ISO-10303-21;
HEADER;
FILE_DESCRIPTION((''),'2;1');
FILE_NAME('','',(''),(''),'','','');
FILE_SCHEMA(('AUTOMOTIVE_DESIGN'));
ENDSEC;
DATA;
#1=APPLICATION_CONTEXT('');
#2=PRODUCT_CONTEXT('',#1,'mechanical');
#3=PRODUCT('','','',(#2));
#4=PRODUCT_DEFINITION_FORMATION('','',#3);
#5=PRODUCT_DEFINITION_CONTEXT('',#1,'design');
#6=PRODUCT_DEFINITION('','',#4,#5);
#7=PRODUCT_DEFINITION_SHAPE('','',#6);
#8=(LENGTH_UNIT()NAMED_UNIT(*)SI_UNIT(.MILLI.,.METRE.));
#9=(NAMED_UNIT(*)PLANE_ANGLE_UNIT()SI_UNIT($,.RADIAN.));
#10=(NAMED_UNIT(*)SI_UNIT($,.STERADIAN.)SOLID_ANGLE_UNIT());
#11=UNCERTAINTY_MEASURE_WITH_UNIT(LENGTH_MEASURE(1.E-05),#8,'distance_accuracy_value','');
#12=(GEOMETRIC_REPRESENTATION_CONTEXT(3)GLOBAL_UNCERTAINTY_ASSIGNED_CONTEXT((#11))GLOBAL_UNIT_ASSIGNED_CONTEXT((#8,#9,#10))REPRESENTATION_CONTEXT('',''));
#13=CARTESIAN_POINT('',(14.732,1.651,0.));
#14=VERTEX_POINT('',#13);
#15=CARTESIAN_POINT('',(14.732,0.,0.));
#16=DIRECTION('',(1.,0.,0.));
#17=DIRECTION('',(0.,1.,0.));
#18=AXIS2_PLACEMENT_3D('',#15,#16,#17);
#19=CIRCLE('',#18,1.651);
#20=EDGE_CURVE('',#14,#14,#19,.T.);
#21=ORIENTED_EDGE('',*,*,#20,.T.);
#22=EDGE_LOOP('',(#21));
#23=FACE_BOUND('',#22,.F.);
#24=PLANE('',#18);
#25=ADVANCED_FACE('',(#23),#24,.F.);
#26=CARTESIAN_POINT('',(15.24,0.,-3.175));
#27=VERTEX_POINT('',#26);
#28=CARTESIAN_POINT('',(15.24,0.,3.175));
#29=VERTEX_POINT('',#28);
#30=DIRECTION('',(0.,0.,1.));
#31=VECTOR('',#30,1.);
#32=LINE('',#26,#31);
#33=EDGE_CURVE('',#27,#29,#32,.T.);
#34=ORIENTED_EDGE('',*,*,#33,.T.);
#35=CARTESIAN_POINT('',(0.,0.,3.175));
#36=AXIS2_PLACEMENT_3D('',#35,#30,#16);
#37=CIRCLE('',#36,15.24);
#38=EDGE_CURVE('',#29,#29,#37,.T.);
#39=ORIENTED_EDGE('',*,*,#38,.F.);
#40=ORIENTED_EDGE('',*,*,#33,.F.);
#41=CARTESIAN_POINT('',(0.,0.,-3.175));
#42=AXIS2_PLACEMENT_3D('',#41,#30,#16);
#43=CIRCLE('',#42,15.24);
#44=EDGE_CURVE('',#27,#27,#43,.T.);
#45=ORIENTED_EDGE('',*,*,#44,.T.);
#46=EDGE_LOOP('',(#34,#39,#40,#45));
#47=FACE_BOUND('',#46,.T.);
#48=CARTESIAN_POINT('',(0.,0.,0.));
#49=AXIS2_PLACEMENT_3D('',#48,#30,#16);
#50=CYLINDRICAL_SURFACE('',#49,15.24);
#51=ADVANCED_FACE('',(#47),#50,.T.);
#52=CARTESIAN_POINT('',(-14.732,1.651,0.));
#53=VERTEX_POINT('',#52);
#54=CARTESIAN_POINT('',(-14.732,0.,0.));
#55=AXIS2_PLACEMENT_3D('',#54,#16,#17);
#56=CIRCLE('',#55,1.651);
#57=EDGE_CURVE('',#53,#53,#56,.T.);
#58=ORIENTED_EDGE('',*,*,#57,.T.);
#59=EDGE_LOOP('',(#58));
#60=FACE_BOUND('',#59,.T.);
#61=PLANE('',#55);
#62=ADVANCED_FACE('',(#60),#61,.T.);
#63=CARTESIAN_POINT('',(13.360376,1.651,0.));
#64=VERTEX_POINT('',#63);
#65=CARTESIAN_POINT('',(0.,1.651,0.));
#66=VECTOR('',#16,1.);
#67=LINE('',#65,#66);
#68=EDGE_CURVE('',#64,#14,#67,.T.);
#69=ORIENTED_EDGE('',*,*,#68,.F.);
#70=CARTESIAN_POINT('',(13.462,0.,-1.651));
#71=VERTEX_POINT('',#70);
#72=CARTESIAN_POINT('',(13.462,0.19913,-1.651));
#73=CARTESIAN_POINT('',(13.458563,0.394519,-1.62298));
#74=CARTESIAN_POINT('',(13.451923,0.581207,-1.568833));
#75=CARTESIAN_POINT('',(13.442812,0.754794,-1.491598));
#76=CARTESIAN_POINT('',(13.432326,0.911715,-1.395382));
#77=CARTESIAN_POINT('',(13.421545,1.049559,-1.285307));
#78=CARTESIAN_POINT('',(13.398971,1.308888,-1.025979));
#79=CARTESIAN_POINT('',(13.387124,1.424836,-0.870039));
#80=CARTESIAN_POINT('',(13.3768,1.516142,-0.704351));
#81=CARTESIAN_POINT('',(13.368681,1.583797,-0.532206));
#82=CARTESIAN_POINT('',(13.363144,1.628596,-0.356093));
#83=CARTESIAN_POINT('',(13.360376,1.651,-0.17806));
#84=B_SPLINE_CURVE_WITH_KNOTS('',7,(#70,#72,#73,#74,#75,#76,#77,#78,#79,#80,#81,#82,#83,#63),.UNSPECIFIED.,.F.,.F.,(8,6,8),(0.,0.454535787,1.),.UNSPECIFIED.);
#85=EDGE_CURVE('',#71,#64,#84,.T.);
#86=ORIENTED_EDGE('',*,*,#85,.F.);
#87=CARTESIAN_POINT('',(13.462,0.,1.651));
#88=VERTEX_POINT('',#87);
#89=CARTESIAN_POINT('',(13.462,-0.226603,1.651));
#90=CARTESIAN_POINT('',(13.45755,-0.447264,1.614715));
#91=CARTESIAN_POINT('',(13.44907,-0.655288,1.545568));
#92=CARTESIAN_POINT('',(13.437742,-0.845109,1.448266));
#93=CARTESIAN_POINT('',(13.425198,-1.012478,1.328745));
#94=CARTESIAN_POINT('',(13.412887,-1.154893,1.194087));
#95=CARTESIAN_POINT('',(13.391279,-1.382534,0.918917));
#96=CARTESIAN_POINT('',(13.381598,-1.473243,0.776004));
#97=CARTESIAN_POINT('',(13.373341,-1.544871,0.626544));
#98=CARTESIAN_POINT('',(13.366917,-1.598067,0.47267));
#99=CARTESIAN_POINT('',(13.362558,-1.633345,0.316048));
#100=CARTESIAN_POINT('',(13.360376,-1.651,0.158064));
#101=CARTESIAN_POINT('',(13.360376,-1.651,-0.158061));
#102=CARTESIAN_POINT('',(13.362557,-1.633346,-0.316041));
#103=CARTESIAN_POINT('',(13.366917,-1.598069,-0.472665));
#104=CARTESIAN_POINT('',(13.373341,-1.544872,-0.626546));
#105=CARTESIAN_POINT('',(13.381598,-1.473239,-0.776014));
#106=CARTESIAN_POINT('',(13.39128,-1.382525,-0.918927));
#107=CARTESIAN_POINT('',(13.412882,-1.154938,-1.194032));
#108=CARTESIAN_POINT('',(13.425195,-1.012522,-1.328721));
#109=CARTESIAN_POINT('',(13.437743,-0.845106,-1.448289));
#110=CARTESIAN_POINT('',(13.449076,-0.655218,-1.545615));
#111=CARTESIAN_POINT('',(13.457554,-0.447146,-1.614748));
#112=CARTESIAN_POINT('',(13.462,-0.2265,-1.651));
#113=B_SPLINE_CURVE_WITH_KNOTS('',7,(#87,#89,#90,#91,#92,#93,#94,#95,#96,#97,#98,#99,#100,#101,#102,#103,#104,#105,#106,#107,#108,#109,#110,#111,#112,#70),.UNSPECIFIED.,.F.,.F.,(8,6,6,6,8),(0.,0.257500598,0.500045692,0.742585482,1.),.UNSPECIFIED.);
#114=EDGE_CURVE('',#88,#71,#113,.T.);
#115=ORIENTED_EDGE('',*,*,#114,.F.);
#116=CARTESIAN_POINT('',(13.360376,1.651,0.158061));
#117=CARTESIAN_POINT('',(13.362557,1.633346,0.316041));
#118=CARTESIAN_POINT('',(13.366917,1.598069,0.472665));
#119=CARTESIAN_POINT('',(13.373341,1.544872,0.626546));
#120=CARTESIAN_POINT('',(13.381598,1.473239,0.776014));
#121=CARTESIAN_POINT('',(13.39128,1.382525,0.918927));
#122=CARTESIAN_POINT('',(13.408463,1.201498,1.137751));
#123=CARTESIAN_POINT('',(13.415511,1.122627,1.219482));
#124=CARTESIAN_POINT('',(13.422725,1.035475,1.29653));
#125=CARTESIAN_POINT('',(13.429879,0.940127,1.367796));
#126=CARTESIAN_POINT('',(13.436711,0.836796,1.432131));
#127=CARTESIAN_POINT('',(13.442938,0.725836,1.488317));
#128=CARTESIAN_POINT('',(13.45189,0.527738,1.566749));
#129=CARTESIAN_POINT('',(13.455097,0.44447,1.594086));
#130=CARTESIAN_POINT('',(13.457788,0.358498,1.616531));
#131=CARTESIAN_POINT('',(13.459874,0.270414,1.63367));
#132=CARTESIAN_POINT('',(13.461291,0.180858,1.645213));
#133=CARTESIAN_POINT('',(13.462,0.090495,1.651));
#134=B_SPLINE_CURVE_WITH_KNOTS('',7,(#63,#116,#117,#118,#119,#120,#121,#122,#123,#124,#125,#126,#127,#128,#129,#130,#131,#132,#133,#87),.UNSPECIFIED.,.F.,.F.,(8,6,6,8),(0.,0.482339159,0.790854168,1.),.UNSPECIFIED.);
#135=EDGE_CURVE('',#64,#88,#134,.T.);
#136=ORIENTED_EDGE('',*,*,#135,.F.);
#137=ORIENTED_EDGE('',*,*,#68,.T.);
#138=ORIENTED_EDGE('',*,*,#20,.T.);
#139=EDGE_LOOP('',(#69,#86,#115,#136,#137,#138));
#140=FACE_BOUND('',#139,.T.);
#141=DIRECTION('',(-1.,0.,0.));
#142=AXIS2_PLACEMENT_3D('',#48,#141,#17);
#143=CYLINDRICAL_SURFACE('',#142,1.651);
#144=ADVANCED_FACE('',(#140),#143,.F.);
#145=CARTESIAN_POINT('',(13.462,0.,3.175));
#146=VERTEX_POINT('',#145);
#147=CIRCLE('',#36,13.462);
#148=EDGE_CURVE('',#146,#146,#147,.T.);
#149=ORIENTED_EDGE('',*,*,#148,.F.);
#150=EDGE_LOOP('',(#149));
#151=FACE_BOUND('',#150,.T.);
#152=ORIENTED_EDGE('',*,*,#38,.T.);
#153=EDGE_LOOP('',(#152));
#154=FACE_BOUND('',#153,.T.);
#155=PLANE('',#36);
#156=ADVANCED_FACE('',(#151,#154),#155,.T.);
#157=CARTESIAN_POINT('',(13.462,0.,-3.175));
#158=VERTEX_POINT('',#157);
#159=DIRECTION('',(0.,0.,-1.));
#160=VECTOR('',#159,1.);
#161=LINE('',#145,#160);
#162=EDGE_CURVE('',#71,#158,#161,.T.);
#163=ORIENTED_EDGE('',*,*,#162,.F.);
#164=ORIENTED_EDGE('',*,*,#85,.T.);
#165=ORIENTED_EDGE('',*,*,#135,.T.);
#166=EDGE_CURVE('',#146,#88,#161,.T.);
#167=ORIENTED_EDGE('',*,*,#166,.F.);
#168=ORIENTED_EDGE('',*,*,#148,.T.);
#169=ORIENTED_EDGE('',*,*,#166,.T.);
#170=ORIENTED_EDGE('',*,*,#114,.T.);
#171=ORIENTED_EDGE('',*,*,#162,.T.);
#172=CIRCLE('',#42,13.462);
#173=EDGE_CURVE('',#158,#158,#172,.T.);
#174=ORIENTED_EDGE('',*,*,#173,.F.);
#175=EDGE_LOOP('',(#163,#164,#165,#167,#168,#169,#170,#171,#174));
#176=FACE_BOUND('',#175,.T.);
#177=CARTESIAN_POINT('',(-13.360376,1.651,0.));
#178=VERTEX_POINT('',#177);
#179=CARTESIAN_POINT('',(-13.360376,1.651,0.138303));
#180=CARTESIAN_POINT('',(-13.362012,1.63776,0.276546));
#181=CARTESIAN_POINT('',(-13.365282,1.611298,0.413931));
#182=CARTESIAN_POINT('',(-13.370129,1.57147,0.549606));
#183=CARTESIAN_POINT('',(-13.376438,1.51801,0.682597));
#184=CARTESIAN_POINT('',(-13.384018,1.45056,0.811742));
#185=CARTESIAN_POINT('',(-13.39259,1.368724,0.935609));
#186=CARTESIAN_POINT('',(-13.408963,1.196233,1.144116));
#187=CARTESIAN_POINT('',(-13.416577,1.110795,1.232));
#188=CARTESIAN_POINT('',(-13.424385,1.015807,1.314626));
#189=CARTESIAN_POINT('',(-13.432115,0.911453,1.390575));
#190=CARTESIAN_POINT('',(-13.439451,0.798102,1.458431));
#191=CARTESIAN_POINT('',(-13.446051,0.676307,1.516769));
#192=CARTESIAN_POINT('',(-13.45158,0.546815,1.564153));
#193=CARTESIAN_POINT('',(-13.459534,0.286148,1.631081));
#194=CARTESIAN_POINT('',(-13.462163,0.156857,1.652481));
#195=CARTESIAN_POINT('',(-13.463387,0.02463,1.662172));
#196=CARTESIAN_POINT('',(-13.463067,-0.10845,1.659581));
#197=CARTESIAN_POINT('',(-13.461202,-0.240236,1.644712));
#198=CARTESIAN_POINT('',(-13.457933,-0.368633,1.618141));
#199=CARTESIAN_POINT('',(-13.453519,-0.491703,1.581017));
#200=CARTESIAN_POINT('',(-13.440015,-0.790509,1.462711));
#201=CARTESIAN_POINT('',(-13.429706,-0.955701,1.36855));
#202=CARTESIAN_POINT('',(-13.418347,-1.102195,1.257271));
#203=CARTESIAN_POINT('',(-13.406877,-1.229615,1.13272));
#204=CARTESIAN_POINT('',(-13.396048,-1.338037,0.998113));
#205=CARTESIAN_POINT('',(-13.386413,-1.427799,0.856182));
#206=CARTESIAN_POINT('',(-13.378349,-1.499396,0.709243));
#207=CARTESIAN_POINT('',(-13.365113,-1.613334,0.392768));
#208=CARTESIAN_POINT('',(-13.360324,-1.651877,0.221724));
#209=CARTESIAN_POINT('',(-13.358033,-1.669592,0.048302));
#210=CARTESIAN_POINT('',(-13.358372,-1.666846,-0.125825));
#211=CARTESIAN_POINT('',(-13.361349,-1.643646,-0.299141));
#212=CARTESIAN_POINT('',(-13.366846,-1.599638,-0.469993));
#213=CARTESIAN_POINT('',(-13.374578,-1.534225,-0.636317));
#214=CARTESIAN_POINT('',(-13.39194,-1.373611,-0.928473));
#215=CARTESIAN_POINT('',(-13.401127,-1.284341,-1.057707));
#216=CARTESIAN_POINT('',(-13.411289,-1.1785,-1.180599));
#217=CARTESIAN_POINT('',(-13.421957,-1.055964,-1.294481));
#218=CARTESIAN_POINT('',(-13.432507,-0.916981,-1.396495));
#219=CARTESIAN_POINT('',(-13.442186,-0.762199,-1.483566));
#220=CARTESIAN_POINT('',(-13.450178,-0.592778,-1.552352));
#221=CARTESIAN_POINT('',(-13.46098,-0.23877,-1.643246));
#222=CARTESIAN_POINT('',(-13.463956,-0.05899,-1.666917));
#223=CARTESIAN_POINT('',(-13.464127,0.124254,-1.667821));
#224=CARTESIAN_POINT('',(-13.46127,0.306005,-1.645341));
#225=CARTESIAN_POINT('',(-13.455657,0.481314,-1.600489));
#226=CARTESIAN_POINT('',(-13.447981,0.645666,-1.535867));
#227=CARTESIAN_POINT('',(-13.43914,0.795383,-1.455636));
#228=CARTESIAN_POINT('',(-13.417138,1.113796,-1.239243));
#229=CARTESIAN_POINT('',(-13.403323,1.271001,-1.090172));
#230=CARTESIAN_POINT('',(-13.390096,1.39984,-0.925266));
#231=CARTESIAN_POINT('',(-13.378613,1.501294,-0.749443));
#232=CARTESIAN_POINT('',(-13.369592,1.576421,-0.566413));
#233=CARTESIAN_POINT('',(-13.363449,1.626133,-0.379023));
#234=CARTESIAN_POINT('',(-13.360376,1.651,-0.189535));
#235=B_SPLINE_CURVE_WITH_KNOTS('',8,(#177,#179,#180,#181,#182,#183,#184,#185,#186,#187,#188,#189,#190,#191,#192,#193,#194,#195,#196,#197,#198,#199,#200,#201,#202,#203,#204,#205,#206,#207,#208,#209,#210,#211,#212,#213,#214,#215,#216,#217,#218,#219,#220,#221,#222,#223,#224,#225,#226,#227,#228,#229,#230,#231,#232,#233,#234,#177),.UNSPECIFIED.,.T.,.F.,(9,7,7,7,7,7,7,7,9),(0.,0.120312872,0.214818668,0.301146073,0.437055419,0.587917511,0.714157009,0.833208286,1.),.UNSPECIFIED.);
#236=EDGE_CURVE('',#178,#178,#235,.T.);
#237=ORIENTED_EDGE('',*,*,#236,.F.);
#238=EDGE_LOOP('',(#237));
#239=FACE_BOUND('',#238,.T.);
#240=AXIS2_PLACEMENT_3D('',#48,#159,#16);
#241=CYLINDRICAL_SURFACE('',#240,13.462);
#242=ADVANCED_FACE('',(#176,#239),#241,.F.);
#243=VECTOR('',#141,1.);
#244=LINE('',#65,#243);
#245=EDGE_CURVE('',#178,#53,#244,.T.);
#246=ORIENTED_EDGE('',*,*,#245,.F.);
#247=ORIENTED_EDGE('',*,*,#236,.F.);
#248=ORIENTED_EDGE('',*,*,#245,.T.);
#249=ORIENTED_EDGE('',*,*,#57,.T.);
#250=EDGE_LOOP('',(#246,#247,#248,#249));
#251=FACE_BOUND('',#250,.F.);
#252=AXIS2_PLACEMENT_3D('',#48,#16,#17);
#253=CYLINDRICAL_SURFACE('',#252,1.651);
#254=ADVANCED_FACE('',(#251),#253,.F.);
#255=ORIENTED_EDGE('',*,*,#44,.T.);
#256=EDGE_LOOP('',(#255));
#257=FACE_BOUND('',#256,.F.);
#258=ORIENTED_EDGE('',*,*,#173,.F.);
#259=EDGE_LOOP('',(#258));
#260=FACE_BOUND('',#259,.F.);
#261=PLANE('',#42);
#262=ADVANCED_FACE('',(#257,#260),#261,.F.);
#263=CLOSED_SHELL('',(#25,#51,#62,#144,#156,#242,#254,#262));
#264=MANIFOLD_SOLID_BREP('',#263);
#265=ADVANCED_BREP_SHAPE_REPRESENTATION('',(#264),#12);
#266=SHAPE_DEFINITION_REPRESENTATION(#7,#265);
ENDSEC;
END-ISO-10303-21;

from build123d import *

# Parameters (mm, degrees)
F0_R          = 15.24
F0_R_2        = 13.462
F1_DEPTH      = 3.175
F2_R          = 1.651
F3_DEPTH      = 14.732
F3_DEPTH_BACK = 14.732


with BuildPart() as f1:
    # F0 (on Top) → F1 (new body, symmetric)
    with BuildSketch(Plane.XY):
        Circle(F0_R)
        Circle(F0_R_2, mode=Mode.SUBTRACT)
    extrude(amount=F1_DEPTH, both=True)

    # F2 (on Right) → F3 (cut, two sides)
    with BuildSketch(Plane.YZ) as f3_sk:
        Circle(F2_R)
    extrude(amount=-F3_DEPTH, mode=Mode.SUBTRACT)
    extrude(f3_sk.sketch, amount=F3_DEPTH_BACK, mode=Mode.SUBTRACT)


solid = f1.part
